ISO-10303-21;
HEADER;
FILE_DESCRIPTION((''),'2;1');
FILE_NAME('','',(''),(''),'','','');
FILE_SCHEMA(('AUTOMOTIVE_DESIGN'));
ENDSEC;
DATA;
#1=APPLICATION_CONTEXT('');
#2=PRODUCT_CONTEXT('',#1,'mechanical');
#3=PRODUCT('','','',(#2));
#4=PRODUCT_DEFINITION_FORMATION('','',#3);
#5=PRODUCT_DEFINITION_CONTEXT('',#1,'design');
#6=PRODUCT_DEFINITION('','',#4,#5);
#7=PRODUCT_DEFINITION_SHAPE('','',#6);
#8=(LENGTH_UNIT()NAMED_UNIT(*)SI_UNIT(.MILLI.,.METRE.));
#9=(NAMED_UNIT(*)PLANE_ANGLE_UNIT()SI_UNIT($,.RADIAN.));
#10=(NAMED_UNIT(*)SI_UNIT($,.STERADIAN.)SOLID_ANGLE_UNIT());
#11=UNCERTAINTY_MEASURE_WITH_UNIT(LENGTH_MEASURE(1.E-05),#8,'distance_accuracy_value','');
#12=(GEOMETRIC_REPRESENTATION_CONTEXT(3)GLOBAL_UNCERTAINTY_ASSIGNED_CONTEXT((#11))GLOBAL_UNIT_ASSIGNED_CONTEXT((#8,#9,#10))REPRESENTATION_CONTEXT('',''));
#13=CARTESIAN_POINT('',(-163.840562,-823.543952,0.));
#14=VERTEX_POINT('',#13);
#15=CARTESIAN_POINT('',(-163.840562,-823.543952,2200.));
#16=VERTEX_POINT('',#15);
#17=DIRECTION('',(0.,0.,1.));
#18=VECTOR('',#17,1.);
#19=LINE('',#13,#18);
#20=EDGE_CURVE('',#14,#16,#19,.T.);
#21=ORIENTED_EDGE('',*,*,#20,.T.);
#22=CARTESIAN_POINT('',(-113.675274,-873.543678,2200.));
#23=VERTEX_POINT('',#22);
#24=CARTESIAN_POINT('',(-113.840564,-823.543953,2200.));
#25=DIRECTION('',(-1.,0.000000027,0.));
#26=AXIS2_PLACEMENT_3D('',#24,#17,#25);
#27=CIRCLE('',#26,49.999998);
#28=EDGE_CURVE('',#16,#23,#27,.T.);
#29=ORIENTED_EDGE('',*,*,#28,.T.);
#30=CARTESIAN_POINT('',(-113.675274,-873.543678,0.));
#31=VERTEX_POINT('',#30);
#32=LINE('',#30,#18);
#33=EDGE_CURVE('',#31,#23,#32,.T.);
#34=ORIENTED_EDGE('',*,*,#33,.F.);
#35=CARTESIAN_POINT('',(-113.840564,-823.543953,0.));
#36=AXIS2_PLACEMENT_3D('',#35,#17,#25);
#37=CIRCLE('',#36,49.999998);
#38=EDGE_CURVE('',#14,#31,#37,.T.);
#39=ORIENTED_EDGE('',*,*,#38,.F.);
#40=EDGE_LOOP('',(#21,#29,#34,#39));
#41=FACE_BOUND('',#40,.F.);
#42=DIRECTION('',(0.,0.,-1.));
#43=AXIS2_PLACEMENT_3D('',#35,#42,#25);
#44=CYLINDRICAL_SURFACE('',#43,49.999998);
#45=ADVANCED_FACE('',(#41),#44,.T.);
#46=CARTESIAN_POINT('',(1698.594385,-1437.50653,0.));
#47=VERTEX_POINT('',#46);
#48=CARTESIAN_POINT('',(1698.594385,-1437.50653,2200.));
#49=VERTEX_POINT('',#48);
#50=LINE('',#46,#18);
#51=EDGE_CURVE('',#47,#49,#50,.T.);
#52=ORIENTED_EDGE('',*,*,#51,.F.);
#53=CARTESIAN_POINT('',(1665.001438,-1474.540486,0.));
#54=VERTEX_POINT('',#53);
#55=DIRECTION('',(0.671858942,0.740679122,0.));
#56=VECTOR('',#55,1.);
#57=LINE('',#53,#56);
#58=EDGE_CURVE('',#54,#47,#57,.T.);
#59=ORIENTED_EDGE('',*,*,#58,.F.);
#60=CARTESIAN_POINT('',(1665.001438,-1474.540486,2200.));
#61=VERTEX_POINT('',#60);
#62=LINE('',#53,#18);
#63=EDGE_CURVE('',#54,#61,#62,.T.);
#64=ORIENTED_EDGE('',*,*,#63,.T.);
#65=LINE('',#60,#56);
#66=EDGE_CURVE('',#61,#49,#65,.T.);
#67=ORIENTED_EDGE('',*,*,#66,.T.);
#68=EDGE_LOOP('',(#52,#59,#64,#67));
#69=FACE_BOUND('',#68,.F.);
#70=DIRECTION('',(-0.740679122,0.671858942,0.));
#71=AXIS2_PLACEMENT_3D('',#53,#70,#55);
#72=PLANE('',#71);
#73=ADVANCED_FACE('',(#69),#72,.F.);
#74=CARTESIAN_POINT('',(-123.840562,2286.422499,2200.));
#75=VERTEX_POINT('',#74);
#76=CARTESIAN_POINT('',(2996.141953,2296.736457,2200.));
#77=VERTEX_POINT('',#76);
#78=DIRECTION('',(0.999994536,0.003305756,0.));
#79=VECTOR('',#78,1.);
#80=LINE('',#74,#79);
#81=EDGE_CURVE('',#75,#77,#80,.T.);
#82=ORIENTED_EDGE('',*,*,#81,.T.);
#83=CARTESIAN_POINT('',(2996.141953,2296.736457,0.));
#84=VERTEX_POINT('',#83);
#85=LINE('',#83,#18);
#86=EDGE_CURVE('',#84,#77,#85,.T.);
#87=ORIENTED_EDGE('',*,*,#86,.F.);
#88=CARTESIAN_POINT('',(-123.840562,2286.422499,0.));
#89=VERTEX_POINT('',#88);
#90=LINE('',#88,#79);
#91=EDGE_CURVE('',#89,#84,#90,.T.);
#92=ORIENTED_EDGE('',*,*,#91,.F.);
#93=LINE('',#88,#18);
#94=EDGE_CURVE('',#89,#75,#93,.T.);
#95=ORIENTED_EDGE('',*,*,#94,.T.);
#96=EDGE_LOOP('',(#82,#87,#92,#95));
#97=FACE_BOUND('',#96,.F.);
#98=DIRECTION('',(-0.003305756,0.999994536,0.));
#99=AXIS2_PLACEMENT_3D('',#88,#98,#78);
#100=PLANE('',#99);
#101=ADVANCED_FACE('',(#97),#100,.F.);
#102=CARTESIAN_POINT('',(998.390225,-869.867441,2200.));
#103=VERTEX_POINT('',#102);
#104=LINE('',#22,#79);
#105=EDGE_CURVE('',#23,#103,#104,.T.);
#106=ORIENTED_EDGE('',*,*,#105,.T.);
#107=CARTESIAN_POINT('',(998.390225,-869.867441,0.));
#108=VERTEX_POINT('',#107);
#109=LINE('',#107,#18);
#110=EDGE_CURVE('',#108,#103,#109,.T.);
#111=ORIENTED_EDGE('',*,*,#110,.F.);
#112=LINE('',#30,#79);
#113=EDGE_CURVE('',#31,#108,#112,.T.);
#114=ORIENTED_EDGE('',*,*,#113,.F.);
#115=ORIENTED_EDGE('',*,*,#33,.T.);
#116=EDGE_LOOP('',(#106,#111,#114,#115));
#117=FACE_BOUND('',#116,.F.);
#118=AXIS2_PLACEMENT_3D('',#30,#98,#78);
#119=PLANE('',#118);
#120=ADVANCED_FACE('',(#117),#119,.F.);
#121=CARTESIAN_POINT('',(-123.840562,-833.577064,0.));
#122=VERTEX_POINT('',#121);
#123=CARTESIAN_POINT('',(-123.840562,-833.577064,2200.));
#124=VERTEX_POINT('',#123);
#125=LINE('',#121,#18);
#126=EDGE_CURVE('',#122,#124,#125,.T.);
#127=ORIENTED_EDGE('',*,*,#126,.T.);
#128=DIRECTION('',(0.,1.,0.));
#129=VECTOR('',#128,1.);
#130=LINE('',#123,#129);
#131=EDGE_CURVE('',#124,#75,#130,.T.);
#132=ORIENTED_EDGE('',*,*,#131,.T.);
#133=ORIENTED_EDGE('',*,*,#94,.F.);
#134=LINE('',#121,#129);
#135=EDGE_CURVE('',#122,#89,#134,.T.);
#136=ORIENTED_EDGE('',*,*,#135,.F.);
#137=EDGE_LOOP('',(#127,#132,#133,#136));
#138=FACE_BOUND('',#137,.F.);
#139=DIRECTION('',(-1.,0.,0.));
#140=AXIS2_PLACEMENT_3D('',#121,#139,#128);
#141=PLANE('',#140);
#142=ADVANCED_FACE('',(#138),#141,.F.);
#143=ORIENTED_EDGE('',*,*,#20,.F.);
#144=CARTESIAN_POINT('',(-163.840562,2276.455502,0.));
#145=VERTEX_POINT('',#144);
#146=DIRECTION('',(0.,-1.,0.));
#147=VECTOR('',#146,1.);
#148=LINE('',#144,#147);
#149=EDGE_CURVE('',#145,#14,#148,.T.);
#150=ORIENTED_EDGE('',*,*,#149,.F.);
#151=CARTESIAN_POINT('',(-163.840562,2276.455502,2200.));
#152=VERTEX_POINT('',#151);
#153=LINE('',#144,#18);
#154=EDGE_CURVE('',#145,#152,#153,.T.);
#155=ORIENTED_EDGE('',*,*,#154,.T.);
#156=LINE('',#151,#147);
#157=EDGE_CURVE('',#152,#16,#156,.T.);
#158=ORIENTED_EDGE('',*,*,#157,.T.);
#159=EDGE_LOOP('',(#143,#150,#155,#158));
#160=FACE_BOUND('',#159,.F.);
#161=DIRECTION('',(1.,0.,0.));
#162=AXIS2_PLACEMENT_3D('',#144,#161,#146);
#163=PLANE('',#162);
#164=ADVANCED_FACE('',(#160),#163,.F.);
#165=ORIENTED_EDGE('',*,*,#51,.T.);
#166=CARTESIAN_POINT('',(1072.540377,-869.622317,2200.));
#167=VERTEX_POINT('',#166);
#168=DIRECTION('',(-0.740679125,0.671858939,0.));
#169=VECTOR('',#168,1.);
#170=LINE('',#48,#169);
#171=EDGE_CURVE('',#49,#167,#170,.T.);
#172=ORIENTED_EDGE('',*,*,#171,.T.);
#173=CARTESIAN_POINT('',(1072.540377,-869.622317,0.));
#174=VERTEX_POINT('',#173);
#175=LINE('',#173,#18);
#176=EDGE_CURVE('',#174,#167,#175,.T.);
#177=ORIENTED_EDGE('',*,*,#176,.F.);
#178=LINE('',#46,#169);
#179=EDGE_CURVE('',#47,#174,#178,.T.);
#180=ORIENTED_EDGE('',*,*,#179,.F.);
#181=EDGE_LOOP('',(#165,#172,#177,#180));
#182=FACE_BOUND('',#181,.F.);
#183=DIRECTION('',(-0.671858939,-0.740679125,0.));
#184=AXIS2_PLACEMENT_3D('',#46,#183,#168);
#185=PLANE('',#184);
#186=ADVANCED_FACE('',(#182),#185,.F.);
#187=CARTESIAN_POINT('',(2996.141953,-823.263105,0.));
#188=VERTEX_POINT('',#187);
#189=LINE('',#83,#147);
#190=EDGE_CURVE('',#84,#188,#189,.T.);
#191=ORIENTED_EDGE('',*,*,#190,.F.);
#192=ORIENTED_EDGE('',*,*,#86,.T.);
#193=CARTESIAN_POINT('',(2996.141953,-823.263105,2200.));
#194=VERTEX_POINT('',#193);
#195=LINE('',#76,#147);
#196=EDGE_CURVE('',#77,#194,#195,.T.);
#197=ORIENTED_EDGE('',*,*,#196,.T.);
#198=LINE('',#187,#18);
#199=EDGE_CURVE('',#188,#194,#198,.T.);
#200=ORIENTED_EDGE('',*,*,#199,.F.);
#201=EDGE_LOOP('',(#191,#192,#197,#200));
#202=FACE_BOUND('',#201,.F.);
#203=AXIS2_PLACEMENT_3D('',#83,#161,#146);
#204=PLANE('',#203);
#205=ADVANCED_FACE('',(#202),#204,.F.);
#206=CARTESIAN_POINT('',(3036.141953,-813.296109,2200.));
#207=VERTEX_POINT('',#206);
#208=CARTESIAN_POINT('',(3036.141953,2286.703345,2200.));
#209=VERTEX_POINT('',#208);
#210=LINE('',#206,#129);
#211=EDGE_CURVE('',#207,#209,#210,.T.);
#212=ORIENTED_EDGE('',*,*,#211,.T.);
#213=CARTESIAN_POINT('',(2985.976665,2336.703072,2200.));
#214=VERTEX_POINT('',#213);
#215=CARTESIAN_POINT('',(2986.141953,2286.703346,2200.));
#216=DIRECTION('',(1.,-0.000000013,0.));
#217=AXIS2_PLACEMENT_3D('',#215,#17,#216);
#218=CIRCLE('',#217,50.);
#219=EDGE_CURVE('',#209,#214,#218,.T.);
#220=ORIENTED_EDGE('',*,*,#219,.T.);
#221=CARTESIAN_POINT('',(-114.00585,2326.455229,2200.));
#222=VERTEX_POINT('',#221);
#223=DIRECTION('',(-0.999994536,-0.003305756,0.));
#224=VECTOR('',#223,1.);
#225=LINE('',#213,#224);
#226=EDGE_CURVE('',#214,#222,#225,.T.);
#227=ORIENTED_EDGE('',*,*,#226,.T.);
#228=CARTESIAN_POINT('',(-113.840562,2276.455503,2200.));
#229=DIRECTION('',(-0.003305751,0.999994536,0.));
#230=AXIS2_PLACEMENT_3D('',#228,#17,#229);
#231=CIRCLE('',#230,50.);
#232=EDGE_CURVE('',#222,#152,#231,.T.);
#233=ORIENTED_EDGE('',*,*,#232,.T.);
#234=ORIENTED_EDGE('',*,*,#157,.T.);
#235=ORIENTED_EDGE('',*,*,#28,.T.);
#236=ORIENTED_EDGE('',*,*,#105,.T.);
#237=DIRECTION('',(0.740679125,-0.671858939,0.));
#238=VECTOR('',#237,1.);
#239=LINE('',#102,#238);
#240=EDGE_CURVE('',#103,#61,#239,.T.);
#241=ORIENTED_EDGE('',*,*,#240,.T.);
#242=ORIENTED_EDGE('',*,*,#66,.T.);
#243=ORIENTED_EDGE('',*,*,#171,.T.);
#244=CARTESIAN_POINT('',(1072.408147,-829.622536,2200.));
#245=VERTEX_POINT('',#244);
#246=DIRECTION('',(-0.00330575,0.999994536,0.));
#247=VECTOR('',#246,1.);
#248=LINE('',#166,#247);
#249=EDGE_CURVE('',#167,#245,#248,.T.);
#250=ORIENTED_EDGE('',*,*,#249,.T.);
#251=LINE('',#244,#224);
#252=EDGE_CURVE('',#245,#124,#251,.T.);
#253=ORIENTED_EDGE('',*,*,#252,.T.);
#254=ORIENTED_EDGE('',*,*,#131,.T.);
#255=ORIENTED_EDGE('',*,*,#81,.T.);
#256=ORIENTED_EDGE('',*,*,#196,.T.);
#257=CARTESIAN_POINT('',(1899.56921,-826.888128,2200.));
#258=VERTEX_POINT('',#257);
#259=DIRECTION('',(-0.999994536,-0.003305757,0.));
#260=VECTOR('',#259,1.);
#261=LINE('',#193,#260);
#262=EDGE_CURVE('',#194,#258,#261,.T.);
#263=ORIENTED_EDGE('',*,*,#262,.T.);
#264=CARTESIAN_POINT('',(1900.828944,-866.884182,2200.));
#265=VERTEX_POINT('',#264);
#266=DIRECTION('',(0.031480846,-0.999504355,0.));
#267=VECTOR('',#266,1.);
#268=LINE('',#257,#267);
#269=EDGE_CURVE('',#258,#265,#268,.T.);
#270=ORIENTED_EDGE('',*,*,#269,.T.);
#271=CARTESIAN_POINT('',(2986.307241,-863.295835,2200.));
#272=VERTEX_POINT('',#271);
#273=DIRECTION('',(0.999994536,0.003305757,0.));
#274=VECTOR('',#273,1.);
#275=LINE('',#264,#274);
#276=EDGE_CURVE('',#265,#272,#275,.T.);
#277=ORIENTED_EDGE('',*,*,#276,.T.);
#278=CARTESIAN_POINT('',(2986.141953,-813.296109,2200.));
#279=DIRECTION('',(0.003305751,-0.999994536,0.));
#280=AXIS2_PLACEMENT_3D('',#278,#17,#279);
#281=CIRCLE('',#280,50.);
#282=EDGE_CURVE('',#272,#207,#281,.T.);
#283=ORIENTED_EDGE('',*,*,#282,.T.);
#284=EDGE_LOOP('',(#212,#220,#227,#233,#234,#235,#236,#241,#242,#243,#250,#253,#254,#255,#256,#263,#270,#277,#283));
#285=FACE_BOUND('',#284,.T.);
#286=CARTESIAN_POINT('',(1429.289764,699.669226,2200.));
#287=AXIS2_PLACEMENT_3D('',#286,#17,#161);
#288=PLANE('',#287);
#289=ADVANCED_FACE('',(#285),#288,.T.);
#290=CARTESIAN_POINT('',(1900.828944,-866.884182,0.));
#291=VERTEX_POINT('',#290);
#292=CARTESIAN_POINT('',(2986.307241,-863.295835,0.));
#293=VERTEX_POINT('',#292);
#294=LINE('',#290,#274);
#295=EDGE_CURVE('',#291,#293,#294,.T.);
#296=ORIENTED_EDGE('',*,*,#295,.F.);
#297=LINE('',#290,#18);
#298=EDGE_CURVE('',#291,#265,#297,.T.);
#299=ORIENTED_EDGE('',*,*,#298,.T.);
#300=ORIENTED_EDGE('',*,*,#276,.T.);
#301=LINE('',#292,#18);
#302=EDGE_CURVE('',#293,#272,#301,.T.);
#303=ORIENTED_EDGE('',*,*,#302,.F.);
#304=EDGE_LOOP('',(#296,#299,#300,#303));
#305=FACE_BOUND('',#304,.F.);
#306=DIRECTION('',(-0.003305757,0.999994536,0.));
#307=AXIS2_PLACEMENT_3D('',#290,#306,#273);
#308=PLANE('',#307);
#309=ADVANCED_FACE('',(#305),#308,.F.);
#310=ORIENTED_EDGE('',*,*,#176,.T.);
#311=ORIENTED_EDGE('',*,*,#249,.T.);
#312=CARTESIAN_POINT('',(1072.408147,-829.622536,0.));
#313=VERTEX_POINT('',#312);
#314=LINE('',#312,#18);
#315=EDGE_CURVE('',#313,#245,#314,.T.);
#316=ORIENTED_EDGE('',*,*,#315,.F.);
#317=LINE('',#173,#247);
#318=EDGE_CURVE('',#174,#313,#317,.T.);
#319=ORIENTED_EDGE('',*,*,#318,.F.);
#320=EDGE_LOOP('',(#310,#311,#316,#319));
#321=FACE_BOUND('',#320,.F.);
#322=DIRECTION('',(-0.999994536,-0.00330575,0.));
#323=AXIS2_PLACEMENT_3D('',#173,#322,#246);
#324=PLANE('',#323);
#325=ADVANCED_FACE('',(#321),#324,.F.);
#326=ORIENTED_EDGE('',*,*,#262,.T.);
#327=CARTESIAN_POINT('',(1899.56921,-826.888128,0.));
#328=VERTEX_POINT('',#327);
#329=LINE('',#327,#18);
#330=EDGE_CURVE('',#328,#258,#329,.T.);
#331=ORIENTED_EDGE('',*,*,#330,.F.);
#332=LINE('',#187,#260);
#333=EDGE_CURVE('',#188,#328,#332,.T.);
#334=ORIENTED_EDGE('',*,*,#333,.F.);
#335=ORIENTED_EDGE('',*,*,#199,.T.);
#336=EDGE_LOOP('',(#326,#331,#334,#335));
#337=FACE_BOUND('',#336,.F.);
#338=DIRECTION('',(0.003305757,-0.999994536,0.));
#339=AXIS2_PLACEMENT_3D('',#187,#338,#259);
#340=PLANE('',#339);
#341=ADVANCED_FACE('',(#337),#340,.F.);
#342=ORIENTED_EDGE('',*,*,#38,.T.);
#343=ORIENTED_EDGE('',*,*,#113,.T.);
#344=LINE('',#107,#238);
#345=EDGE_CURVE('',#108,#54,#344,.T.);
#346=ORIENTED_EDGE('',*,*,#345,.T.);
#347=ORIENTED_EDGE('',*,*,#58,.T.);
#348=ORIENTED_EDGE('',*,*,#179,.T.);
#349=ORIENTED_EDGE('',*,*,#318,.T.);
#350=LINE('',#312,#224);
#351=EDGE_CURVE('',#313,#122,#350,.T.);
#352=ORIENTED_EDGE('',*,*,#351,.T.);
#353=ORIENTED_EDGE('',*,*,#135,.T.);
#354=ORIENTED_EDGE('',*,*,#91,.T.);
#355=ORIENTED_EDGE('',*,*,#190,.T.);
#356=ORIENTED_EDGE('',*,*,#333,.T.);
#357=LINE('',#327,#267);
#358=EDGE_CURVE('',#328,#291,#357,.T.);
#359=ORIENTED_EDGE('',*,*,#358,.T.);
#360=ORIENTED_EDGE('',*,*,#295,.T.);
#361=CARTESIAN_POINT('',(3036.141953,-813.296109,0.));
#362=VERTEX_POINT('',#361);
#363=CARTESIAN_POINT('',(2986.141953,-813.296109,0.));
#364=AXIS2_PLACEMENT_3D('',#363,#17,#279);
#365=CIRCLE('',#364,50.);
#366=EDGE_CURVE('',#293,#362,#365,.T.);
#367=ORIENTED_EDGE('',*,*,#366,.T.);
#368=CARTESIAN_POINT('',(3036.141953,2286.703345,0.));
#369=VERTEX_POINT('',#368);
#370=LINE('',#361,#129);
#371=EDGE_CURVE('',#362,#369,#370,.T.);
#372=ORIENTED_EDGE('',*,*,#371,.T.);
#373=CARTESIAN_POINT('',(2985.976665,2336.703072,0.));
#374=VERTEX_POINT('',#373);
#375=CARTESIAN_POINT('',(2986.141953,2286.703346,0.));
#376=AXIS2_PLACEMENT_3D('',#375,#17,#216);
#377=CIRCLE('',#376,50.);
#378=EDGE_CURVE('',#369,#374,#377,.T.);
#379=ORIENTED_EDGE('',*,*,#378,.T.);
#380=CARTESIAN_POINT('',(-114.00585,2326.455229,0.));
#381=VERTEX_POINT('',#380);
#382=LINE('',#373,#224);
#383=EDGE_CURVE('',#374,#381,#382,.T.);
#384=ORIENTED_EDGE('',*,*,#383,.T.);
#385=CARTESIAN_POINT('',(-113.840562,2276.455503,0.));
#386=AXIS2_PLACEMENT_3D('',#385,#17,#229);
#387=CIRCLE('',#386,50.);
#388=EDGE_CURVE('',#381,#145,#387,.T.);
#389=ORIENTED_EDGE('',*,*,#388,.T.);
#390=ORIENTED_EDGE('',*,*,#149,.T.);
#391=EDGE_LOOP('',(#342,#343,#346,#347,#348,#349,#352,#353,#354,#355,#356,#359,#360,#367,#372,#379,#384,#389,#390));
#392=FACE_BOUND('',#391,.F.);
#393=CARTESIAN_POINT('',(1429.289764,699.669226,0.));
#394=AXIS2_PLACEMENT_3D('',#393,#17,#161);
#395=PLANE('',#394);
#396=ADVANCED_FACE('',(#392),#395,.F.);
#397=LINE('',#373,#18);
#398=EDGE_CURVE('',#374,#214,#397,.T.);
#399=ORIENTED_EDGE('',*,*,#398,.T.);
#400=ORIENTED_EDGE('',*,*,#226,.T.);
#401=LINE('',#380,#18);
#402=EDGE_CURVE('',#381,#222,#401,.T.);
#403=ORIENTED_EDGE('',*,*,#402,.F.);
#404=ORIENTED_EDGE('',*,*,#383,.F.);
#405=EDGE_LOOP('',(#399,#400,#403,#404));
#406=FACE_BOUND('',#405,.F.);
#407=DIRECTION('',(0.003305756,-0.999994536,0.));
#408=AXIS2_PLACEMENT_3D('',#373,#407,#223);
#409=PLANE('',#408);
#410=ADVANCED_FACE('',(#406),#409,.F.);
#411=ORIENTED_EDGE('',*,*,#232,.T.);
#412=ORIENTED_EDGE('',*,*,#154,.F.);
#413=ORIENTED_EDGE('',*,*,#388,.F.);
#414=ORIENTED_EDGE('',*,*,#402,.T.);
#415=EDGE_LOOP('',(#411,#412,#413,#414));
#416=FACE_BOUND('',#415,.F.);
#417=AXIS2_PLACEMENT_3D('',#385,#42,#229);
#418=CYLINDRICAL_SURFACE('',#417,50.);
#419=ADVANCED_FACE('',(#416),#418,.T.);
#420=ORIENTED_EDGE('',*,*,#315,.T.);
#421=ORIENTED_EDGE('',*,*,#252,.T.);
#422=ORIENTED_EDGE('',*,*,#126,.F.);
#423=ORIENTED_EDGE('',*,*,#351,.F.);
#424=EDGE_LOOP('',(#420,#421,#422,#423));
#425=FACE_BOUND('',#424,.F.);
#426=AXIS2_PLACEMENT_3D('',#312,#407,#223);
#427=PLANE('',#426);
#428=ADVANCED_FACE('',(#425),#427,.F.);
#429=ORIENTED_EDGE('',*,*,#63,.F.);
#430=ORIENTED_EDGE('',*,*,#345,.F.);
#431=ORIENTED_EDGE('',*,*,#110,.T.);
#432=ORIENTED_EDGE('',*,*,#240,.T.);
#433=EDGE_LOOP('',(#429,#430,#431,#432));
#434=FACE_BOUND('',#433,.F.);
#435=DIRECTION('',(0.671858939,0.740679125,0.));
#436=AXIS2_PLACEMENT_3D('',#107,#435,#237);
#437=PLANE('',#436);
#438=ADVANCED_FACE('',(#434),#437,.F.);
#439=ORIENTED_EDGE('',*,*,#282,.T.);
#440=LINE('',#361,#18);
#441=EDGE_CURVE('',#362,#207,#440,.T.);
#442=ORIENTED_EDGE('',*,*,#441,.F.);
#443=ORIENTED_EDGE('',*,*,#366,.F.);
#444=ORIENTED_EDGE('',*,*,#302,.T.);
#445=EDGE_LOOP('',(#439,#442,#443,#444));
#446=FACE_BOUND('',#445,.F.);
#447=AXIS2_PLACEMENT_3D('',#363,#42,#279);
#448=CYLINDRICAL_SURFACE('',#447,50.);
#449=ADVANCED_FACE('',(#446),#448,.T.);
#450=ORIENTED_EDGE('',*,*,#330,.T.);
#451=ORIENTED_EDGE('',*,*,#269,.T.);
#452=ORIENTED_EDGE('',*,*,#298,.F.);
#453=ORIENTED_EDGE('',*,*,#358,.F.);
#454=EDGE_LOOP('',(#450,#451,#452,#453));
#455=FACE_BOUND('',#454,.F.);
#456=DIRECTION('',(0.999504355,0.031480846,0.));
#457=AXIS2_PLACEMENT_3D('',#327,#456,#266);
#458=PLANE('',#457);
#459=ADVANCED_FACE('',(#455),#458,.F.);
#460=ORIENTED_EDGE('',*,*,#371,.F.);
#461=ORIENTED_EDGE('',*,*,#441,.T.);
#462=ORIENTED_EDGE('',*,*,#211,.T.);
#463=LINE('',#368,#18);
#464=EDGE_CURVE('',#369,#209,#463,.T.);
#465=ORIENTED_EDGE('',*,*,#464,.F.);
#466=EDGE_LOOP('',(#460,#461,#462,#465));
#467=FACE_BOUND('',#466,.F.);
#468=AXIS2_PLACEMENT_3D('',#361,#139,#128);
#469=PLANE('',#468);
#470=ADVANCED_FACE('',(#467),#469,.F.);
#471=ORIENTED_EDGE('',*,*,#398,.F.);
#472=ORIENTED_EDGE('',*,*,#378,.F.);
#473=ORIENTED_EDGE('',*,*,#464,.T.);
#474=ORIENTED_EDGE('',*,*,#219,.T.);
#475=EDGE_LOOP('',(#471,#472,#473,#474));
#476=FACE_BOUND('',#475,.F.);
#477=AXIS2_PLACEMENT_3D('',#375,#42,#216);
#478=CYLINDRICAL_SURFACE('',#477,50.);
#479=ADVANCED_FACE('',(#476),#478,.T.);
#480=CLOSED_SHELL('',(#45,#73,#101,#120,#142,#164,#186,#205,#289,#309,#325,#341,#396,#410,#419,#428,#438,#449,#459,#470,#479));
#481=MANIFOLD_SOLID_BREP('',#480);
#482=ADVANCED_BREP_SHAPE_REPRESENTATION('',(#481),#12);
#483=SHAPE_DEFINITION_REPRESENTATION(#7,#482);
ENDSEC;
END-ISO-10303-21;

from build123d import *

# Parameters (mm, degrees)
F1_DEPTH = 2200


with BuildPart() as f1:
    # F0 (on Top) → F1 (new body)
    with BuildSketch(Plane.XY):
        with BuildLine():
            ThreePointArc((-114.00585, 2326.455229), (-149.254291, 2311.752355), (-163.840562, 2276.455502))
            Line((-163.840562, 2276.455502), (-163.840562, -823.543952))
            ThreePointArc((-163.840562, -823.543952), (-149.137415, -858.957681), (-113.675274, -873.543678))
            Line((-113.675274, -873.543678), (998.390225, -869.867441))
            Line((998.390225, -869.867441), (1665.001438, -1474.540486))
            Line((1665.001438, -1474.540486), (1698.594385, -1437.50653))
            Line((1698.594385, -1437.50653), (1072.540377, -869.622317))
            Line((1072.540377, -869.622317), (1072.408147, -829.622536))
            Line((1072.408147, -829.622536), (-123.840562, -833.577064))
            Line((-123.840562, -833.577064), (-123.840562, 2286.422499))
            Line((-123.840562, 2286.422499), (2996.141953, 2296.736457))
            Line((2996.141953, 2296.736457), (2996.141953, -823.263105))
            Line((2996.141953, -823.263105), (1899.56921, -826.888128))
            Line((1899.56921, -826.888128), (1900.828944, -866.884182))
            Line((1900.828944, -866.884182), (2986.307241, -863.295835))
            ThreePointArc((2986.307241, -863.295835), (3021.555682, -848.592961), (3036.141953, -813.296109))
            Line((3036.141953, -813.296109), (3036.141953, 2286.703345))
            ThreePointArc((3036.141953, 2286.703345), (3021.438806, 2322.117074), (2985.976665, 2336.703072))
            Line((2985.976665, 2336.703072), (-114.00585, 2326.455229))
        make_face()
    extrude(amount=F1_DEPTH)


solid = f1.part
